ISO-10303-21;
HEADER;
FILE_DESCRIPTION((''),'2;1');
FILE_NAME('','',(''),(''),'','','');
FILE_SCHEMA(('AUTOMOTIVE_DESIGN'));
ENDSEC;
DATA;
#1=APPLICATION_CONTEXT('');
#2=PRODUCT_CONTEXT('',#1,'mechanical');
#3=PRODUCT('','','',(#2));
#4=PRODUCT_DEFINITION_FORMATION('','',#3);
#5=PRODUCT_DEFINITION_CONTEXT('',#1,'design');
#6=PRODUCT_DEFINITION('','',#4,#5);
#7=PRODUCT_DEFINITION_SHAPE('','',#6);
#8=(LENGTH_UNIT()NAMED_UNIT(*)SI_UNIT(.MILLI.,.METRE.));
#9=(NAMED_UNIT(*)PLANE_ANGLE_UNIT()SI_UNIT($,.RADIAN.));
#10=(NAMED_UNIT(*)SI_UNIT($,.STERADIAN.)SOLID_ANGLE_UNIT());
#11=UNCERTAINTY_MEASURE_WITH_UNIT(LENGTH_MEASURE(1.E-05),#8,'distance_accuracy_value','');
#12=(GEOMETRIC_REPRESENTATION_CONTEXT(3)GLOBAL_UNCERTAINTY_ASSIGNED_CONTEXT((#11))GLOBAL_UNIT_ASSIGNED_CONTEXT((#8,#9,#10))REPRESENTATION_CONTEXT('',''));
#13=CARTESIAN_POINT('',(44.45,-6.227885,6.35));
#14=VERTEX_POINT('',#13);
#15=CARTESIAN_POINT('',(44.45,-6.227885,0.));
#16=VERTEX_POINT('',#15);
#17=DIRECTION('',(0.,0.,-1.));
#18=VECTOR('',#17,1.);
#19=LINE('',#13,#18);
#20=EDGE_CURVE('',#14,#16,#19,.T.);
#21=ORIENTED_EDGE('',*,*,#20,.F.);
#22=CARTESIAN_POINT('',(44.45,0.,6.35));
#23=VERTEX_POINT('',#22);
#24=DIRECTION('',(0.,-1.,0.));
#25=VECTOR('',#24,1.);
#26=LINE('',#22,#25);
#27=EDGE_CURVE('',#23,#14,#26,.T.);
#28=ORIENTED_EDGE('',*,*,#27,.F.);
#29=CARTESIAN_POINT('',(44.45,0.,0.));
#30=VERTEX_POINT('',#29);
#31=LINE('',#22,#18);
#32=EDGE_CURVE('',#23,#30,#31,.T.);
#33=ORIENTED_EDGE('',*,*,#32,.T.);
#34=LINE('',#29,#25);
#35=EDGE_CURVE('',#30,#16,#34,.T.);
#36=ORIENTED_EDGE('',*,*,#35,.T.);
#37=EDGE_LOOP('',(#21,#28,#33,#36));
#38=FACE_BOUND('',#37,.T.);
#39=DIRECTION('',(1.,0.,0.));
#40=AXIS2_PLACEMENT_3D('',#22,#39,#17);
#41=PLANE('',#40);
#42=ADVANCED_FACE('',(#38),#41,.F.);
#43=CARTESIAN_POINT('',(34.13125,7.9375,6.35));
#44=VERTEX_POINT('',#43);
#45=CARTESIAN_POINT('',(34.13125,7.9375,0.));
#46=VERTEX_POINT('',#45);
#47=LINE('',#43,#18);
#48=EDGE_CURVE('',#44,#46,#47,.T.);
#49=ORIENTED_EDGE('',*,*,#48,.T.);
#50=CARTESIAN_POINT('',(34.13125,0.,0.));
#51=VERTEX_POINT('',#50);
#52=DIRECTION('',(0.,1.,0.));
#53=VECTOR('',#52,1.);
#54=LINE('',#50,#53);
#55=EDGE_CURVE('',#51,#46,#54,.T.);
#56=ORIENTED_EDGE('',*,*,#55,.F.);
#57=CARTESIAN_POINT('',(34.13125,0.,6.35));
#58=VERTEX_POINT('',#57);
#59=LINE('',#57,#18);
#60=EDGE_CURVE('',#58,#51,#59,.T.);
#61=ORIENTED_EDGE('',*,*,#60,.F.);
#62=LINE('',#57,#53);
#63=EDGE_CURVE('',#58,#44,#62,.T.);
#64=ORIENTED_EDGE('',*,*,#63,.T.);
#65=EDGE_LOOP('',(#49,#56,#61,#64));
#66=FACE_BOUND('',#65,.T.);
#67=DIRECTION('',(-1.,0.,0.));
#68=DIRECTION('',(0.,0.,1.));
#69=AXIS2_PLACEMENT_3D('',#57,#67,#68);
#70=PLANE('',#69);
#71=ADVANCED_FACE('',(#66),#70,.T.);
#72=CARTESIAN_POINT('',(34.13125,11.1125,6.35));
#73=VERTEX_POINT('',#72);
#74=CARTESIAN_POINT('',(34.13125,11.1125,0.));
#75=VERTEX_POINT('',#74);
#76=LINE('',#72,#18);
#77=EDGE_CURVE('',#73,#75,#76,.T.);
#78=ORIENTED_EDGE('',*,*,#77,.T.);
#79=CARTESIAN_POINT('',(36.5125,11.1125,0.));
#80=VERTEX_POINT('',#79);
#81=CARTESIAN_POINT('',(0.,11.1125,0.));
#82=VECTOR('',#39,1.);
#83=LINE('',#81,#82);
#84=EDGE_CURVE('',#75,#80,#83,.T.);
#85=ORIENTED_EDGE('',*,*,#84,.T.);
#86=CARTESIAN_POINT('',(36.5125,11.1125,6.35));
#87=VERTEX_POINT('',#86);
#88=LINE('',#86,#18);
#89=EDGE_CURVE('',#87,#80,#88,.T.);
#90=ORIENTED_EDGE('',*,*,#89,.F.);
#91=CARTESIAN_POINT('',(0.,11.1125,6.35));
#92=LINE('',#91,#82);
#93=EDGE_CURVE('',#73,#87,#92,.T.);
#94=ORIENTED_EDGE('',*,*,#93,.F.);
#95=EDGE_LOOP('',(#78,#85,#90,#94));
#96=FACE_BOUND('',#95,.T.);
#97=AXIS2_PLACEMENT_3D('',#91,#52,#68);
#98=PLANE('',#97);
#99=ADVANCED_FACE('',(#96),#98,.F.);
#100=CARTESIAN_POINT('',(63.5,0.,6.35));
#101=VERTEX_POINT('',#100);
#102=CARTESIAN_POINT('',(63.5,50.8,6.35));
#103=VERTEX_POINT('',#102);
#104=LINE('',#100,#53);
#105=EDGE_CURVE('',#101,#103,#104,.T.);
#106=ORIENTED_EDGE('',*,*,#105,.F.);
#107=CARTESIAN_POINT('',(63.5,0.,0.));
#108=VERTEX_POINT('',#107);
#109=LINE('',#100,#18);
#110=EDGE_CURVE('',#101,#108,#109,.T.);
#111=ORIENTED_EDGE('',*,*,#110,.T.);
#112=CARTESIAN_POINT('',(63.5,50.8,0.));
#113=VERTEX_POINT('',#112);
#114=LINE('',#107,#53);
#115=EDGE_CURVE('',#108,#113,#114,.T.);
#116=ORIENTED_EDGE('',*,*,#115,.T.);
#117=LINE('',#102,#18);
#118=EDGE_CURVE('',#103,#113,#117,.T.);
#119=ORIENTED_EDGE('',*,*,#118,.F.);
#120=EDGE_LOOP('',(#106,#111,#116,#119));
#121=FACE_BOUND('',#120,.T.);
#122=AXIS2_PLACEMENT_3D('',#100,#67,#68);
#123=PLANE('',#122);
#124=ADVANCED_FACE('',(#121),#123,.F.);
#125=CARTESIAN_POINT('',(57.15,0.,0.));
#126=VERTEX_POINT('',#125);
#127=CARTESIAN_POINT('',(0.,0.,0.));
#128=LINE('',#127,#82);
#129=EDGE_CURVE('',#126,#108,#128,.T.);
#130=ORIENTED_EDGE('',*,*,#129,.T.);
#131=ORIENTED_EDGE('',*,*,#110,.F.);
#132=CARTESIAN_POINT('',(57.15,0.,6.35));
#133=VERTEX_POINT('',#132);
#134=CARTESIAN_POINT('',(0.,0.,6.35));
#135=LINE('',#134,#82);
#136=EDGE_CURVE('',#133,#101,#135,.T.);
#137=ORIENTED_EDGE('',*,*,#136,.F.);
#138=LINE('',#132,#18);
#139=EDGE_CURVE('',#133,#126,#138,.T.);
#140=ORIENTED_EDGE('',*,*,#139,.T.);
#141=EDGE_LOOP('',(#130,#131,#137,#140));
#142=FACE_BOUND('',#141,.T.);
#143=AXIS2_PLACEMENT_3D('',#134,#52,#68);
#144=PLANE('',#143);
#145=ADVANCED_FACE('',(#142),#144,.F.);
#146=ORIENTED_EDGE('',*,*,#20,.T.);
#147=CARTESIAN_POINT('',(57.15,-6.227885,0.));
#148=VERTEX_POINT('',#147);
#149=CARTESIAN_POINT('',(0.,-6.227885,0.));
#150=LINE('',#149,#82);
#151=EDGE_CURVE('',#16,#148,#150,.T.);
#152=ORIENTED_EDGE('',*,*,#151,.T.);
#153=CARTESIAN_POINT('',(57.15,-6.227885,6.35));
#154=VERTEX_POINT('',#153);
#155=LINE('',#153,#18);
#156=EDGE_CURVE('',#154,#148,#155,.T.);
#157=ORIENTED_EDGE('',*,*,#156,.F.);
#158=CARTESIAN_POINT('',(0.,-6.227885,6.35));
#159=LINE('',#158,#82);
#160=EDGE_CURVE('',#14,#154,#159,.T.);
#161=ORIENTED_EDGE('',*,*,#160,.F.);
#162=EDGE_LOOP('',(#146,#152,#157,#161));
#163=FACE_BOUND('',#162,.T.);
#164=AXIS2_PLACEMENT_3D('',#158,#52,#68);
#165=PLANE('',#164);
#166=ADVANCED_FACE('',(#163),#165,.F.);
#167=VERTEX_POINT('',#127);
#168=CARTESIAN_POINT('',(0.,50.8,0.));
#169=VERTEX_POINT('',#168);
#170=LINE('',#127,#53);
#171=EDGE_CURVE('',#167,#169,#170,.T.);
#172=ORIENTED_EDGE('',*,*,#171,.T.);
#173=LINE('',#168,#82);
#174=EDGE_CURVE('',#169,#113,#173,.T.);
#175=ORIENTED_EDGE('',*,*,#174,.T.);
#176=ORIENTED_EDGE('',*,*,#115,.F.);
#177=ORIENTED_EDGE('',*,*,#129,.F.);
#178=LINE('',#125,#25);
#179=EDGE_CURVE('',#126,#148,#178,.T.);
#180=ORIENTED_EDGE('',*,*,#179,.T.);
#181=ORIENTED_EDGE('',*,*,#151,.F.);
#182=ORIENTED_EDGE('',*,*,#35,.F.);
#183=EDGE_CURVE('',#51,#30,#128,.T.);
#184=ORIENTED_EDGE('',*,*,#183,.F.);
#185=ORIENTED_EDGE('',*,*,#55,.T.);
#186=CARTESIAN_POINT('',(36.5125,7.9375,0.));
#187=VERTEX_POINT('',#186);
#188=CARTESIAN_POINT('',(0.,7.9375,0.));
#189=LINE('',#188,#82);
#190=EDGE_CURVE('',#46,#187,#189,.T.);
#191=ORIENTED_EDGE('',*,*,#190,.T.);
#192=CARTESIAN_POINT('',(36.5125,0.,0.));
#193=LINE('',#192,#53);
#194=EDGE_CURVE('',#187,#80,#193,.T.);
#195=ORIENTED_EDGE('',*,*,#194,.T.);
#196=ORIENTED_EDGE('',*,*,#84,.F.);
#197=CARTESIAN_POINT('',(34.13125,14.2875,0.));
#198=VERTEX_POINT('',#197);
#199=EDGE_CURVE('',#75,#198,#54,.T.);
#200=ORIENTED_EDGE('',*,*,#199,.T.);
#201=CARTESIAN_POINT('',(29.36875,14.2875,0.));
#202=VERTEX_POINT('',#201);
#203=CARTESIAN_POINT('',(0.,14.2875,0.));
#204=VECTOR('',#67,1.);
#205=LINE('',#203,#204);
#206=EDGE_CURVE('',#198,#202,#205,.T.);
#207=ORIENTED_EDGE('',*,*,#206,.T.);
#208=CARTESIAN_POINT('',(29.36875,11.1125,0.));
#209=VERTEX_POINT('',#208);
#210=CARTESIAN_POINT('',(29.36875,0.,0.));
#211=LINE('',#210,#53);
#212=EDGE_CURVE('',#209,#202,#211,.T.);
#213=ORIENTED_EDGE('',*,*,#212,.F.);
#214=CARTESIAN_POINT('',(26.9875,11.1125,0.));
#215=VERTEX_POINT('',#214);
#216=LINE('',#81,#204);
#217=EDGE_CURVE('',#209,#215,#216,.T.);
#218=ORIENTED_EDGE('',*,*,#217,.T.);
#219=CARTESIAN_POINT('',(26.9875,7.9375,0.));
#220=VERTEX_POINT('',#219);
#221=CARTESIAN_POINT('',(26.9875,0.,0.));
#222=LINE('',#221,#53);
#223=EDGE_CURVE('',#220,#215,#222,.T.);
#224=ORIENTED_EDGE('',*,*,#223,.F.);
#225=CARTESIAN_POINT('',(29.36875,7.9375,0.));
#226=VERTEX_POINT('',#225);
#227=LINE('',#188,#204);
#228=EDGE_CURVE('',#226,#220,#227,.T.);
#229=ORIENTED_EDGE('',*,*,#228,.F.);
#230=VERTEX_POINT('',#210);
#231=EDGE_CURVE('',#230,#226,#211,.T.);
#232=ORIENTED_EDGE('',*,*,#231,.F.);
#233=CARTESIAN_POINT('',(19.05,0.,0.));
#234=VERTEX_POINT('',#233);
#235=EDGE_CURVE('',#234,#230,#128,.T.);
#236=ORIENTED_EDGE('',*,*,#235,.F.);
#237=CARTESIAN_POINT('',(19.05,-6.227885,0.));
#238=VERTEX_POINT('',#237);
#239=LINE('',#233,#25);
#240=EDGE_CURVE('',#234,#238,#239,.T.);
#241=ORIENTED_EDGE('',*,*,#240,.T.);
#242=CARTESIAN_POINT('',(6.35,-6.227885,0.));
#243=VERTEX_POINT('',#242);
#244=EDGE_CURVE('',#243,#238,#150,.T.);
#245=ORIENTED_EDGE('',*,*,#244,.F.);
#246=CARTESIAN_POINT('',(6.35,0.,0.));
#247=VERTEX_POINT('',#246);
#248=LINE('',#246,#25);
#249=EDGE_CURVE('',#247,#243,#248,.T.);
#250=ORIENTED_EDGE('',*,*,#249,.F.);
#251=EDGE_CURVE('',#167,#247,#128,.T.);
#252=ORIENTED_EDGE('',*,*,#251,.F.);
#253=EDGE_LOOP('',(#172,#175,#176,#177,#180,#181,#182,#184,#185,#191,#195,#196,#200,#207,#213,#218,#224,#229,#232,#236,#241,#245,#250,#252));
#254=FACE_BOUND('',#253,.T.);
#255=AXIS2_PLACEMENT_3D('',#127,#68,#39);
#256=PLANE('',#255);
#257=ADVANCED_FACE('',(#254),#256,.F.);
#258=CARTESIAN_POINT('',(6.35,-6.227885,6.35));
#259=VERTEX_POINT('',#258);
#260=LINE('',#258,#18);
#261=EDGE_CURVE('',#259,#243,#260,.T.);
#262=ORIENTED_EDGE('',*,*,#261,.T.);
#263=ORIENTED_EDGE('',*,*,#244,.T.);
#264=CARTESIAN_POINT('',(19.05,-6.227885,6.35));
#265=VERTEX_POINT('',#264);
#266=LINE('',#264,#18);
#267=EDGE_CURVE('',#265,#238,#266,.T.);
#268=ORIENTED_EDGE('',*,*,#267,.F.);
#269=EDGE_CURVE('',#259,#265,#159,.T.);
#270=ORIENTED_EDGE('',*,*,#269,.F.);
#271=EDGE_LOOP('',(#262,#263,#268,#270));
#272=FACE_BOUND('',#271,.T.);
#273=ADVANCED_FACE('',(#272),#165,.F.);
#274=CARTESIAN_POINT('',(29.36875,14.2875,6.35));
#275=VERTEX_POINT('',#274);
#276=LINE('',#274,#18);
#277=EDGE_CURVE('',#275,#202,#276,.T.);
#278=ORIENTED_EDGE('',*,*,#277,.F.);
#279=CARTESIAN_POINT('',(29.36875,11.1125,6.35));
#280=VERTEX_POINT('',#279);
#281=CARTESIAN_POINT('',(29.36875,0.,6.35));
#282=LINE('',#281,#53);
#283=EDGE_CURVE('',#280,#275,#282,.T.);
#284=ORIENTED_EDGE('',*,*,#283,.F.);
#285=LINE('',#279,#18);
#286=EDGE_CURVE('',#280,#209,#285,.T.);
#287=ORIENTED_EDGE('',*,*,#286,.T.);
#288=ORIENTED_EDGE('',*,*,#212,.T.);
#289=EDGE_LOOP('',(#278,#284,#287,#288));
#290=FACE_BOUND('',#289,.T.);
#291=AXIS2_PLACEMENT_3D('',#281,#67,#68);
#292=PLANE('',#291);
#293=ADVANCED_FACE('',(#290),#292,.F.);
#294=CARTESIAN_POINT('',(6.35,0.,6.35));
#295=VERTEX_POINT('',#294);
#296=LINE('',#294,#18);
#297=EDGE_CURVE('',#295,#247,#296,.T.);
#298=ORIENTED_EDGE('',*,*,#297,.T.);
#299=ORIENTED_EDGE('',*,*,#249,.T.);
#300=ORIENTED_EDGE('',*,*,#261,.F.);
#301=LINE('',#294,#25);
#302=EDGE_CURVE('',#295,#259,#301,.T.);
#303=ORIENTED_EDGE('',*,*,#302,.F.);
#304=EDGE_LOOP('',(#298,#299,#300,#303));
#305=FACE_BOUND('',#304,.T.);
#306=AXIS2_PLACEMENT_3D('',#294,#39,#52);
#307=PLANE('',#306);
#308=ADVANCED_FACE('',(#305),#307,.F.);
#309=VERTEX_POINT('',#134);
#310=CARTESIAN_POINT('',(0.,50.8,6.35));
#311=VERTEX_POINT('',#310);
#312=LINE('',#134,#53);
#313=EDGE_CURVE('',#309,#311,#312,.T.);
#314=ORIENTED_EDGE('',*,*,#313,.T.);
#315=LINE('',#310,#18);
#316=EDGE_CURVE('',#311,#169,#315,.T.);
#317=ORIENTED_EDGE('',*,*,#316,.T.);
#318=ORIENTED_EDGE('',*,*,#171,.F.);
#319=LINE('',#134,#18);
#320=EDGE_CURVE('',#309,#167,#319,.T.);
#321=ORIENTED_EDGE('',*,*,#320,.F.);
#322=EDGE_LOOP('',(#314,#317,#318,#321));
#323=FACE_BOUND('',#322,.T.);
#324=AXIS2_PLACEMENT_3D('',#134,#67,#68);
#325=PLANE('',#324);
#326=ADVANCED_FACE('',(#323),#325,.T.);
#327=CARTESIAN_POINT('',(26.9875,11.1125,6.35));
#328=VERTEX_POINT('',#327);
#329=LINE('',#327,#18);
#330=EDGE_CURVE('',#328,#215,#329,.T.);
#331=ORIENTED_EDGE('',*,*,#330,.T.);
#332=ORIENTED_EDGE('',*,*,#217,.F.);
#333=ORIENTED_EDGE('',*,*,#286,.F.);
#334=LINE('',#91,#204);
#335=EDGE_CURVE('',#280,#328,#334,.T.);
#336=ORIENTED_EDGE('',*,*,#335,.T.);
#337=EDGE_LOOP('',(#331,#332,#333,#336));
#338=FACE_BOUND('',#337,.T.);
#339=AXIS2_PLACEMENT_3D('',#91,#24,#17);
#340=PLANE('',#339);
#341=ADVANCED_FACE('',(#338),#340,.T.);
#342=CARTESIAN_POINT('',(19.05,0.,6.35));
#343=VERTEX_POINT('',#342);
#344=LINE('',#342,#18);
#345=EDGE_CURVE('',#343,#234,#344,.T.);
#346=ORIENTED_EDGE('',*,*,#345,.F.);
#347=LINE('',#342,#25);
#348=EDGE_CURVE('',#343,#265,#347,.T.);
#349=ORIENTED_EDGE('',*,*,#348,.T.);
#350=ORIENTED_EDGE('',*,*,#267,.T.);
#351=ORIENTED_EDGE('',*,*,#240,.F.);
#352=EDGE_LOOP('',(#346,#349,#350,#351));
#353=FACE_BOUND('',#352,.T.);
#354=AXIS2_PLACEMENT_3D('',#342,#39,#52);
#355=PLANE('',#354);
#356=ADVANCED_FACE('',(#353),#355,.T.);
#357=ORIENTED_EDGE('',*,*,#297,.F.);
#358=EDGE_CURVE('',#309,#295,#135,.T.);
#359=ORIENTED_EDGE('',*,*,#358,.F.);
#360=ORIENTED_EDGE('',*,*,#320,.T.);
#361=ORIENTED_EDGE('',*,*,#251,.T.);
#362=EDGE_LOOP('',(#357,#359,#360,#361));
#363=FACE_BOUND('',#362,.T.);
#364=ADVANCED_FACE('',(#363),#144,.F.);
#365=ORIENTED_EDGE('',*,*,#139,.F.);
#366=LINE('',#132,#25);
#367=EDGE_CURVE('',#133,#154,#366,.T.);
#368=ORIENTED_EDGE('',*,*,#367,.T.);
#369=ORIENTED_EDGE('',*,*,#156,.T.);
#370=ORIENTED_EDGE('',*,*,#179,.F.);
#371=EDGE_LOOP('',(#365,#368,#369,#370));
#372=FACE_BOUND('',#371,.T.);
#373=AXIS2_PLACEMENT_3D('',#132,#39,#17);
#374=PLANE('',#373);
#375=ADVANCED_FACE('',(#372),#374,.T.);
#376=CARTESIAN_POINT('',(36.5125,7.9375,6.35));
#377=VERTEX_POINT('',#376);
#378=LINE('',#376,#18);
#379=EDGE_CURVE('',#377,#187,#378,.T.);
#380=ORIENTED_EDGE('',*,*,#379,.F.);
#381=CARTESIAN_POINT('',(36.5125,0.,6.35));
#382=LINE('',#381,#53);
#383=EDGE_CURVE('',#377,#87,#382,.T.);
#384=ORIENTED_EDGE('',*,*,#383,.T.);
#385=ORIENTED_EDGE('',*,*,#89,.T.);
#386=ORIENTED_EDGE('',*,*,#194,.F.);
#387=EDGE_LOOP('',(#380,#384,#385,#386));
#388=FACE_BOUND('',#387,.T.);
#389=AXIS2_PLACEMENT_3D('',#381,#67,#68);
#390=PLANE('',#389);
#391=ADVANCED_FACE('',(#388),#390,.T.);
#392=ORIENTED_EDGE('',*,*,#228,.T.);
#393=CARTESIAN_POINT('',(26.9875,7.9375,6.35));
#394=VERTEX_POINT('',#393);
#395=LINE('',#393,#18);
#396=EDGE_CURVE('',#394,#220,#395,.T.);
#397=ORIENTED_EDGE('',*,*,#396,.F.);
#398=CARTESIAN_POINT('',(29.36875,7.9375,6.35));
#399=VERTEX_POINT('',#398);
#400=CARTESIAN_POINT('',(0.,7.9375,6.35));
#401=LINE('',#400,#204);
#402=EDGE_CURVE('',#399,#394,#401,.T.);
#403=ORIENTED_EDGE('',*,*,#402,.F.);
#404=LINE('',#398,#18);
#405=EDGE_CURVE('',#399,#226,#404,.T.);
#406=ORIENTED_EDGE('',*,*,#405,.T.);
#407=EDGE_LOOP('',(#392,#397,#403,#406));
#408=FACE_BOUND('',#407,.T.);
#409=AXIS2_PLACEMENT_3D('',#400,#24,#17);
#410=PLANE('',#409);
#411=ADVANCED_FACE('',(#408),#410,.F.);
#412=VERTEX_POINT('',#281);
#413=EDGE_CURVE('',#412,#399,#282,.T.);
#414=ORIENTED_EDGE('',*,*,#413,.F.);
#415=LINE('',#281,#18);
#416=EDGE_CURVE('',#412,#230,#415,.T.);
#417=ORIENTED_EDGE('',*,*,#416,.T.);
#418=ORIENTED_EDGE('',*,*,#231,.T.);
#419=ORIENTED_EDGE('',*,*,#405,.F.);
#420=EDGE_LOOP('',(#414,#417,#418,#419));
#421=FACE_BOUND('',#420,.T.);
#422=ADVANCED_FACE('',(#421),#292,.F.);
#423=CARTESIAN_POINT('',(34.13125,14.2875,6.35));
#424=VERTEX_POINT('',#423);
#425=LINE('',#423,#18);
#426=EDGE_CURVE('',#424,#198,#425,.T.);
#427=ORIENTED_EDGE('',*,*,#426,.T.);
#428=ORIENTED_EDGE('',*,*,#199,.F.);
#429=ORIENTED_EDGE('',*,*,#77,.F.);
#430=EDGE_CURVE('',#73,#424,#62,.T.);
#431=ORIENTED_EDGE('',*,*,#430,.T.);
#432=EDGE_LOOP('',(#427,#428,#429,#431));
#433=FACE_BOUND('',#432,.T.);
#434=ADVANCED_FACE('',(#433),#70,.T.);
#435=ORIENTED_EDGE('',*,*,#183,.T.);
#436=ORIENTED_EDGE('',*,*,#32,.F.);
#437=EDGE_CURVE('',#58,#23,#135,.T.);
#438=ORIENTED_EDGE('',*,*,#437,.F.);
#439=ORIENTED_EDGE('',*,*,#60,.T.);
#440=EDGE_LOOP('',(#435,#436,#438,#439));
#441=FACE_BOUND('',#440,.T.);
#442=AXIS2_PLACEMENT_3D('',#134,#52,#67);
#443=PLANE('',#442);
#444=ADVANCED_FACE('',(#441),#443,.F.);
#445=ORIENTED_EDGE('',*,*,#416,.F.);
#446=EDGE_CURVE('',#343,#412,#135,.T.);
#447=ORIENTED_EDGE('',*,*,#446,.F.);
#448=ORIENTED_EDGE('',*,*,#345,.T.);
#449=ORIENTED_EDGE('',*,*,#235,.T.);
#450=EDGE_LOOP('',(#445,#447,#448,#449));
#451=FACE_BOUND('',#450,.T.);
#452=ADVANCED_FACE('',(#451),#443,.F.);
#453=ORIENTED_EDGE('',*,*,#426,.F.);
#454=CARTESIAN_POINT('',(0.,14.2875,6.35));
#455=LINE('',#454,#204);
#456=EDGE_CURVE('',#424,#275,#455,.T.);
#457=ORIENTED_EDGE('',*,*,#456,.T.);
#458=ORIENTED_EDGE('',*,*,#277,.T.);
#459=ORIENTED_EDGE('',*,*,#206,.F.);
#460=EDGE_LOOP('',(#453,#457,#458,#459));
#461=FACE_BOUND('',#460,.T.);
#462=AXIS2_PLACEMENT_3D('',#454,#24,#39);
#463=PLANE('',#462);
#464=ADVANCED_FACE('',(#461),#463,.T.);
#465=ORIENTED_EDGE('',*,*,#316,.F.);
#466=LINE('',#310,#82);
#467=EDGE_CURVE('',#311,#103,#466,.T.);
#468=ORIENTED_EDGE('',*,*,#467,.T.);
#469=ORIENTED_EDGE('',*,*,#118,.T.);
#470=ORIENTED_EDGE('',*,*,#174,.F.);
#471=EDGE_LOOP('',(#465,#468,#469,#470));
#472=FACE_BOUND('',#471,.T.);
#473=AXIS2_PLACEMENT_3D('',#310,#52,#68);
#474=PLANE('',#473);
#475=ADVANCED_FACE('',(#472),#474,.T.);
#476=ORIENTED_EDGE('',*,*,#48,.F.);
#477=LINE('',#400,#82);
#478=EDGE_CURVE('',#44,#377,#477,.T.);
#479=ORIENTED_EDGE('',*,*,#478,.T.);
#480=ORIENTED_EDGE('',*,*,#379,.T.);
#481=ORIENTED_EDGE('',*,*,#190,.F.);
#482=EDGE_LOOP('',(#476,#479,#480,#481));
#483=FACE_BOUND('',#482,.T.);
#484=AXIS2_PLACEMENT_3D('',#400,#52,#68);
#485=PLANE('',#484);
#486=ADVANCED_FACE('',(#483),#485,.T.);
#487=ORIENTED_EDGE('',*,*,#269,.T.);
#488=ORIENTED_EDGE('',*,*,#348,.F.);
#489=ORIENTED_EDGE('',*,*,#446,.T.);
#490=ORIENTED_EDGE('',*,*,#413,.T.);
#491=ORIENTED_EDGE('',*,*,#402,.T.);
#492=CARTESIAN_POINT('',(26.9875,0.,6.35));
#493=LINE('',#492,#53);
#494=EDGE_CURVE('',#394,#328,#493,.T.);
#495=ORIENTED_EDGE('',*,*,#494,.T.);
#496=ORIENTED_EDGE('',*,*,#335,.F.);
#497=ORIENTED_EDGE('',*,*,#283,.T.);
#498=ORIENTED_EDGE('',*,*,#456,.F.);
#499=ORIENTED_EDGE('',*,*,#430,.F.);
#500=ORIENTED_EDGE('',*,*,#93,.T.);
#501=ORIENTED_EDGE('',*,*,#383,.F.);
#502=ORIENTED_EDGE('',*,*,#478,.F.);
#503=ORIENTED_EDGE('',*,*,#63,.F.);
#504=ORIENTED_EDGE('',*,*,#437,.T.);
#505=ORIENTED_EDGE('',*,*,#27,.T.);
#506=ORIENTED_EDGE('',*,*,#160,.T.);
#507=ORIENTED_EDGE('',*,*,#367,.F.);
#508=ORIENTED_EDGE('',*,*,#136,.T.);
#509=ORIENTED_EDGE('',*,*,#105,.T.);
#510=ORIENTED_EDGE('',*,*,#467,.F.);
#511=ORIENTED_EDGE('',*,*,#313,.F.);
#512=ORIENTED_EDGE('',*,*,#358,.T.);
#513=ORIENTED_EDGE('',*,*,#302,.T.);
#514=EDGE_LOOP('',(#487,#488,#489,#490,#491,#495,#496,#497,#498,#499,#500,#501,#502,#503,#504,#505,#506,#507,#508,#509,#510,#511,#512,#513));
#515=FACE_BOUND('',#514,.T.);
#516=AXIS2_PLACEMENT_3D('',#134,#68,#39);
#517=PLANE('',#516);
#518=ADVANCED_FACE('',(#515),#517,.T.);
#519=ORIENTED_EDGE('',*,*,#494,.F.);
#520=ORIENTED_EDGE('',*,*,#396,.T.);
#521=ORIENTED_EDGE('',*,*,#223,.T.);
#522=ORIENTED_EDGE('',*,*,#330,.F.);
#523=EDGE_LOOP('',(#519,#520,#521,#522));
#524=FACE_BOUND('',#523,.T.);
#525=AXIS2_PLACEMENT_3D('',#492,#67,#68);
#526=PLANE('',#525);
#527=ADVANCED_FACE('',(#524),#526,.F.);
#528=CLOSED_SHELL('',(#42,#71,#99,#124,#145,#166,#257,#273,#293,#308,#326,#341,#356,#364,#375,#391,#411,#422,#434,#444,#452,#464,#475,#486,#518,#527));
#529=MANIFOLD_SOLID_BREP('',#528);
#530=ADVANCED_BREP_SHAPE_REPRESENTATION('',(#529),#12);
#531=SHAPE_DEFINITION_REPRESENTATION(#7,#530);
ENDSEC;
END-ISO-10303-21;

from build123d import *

# Parameters (mm, degrees)
BOSS_EXTRUDE1_DEPTH = 6.35


with BuildPart() as part:
    # Sketch1 → Boss-Extrude1 (new body)
    with BuildSketch(Plane.XY):
        Polygon((29.36875, 11.1125), (26.9875, 11.1125), (26.9875, 7.9375), (29.36875, 7.9375), (29.36875, 0), (19.05, 0), (19.05, -6.227884615), (6.35, -6.227884615), (6.35, 0), (0, 0), (0, 50.8), (63.5, 50.8), (63.5, 0), (57.15, 0), (57.15, -6.227884615), (44.45, -6.227884615), (44.45, 0), (34.13125, 0), (34.13125, 7.9375), (36.5125, 7.9375), (36.5125, 11.1125), (34.13125, 11.1125), (34.13125, 14.2875), (29.36875, 14.2875), align=None)
    extrude(amount=BOSS_EXTRUDE1_DEPTH)


solid = part.part
